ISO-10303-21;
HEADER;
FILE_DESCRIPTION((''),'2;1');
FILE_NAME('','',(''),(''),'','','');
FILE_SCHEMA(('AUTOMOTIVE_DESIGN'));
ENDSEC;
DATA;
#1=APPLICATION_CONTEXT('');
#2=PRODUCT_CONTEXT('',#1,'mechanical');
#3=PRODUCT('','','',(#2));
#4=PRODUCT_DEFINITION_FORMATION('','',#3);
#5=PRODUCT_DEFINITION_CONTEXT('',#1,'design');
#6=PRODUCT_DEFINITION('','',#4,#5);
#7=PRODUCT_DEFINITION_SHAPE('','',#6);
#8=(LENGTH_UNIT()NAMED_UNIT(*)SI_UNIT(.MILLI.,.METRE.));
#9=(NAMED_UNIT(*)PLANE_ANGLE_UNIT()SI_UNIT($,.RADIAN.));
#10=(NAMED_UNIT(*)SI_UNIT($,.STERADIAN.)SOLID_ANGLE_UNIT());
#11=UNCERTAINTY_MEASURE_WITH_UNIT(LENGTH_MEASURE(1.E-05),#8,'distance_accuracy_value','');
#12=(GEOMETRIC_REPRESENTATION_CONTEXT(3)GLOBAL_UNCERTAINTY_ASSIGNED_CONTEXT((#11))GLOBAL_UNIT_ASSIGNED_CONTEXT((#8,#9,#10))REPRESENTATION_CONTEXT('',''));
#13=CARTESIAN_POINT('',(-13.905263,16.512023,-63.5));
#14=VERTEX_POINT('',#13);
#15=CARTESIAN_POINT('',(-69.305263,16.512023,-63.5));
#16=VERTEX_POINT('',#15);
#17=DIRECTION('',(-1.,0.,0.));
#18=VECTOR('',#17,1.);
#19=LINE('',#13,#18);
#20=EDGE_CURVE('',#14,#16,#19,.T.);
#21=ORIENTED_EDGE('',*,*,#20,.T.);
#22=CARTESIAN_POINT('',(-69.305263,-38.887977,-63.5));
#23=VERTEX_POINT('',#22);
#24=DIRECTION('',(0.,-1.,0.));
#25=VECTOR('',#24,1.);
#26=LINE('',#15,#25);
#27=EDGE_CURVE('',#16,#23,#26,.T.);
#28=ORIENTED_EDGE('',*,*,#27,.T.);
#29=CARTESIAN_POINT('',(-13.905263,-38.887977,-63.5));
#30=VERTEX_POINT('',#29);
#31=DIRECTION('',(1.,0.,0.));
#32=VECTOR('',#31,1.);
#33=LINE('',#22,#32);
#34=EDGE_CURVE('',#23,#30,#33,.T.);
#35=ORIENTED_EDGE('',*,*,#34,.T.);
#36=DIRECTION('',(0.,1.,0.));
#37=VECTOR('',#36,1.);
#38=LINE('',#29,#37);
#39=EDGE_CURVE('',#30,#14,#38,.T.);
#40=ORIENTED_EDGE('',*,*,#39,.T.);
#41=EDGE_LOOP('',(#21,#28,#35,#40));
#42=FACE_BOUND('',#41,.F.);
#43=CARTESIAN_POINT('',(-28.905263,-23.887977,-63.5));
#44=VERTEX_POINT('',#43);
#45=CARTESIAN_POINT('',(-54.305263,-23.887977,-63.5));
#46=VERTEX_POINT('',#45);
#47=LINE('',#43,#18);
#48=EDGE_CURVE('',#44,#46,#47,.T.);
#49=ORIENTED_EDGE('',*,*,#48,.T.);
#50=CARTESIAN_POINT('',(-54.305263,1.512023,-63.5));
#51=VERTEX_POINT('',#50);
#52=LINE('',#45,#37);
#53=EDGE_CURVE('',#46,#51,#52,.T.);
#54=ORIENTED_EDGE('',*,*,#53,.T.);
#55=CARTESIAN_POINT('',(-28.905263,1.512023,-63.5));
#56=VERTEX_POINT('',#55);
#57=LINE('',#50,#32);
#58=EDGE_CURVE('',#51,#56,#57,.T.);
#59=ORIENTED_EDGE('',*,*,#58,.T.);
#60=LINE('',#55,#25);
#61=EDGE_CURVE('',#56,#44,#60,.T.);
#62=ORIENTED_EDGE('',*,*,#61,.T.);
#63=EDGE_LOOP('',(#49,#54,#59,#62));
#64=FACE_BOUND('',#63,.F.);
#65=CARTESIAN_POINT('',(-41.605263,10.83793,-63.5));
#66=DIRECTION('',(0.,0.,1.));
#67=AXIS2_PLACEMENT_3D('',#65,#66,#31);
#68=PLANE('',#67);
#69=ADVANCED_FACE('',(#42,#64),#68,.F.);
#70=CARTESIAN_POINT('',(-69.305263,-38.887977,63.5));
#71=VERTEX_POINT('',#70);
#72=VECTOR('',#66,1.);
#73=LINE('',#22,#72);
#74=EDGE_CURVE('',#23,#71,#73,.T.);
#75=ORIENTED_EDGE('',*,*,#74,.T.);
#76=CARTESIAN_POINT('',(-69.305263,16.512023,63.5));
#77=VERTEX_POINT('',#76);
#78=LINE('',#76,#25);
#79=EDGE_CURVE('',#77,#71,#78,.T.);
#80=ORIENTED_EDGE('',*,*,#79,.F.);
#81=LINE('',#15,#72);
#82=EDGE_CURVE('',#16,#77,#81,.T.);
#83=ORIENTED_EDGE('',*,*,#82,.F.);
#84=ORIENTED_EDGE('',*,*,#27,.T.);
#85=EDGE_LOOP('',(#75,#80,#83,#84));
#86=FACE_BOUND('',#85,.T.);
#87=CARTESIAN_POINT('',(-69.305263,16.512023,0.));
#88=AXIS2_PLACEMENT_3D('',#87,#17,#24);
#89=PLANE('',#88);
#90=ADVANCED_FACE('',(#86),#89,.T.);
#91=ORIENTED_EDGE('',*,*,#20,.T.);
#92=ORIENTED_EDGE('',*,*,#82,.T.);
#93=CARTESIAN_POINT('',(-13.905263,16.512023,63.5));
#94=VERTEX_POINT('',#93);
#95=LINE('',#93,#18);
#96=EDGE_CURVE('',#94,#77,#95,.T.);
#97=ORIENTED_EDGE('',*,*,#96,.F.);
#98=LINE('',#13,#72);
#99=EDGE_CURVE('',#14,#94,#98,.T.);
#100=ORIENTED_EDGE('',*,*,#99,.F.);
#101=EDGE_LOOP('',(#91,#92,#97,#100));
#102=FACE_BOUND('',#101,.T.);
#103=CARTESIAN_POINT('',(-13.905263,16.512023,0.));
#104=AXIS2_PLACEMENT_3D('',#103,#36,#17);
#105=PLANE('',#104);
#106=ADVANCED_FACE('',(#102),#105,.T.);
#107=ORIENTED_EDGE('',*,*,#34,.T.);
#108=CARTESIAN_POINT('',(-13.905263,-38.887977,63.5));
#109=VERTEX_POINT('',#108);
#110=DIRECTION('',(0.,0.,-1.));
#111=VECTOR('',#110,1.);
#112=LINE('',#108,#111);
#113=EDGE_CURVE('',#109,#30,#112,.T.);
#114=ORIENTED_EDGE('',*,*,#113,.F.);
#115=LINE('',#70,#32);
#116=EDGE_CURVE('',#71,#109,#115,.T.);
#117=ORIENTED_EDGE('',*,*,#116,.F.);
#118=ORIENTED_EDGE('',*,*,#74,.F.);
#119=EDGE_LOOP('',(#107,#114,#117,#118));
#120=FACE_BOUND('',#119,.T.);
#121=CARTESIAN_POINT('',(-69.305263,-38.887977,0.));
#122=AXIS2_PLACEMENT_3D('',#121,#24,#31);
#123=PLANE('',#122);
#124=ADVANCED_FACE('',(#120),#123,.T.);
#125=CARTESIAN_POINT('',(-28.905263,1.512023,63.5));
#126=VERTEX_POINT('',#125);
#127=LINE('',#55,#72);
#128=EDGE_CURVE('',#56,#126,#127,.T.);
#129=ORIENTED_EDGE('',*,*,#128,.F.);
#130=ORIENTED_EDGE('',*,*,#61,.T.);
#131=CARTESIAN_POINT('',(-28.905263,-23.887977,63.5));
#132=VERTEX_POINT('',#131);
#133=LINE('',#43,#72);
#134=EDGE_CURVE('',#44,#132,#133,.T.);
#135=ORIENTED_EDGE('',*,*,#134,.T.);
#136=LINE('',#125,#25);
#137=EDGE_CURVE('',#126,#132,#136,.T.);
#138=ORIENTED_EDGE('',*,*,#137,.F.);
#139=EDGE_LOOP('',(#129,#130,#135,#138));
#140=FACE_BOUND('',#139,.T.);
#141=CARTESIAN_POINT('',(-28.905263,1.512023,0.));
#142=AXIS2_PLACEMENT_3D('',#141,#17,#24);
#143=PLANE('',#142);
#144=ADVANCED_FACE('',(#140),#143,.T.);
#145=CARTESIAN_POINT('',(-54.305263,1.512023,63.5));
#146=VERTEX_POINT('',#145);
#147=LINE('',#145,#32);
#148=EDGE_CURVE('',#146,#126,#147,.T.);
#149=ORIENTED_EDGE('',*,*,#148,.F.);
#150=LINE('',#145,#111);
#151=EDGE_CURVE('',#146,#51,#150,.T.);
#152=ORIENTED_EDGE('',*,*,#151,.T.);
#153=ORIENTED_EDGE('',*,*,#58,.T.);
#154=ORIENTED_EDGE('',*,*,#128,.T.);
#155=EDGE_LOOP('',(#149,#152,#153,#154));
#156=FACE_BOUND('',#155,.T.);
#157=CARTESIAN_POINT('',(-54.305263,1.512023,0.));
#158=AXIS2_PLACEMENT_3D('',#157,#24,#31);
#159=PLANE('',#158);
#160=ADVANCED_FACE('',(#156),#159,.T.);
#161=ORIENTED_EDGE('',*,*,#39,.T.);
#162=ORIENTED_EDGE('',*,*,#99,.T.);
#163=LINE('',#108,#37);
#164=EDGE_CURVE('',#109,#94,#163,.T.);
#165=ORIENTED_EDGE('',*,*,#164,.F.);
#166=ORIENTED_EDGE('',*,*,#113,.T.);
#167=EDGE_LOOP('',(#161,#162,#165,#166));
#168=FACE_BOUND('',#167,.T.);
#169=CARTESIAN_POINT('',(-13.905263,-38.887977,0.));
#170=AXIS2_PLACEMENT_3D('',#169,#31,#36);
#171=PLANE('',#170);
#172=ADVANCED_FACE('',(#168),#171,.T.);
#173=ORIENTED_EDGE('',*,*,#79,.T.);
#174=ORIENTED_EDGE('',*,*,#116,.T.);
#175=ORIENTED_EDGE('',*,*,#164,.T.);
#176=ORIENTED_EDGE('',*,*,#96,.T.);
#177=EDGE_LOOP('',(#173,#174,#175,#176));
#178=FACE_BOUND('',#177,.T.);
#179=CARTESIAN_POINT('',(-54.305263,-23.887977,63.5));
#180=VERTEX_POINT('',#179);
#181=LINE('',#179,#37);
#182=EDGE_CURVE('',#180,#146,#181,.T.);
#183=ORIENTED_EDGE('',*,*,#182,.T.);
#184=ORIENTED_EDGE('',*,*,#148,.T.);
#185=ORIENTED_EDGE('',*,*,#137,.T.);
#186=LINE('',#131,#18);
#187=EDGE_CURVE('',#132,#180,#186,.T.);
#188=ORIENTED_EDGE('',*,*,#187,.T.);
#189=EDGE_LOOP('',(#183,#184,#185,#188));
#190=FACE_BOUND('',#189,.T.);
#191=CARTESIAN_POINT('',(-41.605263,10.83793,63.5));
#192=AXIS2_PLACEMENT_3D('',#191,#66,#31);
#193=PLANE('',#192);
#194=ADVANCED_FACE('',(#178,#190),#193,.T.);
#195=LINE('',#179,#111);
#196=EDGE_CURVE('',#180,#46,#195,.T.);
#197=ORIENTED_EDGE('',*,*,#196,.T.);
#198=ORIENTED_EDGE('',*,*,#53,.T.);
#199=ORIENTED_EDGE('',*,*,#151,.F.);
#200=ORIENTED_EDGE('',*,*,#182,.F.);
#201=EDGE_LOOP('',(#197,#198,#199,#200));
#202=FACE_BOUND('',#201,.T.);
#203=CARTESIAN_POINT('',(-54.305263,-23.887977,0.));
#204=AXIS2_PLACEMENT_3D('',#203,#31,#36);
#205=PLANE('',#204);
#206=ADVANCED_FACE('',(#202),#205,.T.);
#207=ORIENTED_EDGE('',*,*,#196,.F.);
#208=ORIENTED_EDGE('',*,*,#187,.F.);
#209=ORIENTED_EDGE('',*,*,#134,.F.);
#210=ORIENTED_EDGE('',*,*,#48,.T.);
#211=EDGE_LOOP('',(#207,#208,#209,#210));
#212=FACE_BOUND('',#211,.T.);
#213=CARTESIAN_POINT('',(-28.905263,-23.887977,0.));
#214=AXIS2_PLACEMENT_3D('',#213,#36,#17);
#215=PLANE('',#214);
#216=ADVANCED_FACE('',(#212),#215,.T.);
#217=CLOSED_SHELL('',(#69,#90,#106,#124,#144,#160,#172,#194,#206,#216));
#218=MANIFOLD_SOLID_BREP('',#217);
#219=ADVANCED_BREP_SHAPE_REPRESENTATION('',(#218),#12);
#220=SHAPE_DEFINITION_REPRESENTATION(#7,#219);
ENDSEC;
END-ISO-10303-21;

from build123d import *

# Parameters (mm, degrees)
F1_DEPTH = 25.4
F2_DEPTH = 63.5


with BuildPart() as f1:
    # F0 (on Top) → F1 (new body)
    with BuildSketch(Plane.XY):
        Polygon((-69.305263, 16.512023), (-54.305263, 1.512023), (-28.905263, 1.512023), (-13.905263, 16.512023), align=None)
        Polygon((-54.305263, -23.887977), (-54.305263, 1.512023), (-69.305263, 16.512023), (-69.305263, -38.887977), align=None)
        Polygon((-13.905263, 16.512023), (-28.905263, 1.512023), (-28.905263, -23.887977), (-13.905263, -38.887977), align=None)
        Polygon((-28.905263, -23.887977), (-54.305263, -23.887977), (-69.305263, -38.887977), (-13.905263, -38.887977), align=None)
    extrude(amount=F1_DEPTH)

    # F0 (on Top) → F2 (join, symmetric)
    with BuildSketch(Plane.XY):
        Polygon((-69.305263, 16.512023), (-54.305263, 1.512023), (-28.905263, 1.512023), (-13.905263, 16.512023), align=None)
        Polygon((-54.305263, -23.887977), (-54.305263, 1.512023), (-69.305263, 16.512023), (-69.305263, -38.887977), align=None)
        Polygon((-13.905263, 16.512023), (-28.905263, 1.512023), (-28.905263, -23.887977), (-13.905263, -38.887977), align=None)
        Polygon((-28.905263, -23.887977), (-54.305263, -23.887977), (-69.305263, -38.887977), (-13.905263, -38.887977), align=None)
    extrude(amount=F2_DEPTH, both=True)


solid = f1.part
